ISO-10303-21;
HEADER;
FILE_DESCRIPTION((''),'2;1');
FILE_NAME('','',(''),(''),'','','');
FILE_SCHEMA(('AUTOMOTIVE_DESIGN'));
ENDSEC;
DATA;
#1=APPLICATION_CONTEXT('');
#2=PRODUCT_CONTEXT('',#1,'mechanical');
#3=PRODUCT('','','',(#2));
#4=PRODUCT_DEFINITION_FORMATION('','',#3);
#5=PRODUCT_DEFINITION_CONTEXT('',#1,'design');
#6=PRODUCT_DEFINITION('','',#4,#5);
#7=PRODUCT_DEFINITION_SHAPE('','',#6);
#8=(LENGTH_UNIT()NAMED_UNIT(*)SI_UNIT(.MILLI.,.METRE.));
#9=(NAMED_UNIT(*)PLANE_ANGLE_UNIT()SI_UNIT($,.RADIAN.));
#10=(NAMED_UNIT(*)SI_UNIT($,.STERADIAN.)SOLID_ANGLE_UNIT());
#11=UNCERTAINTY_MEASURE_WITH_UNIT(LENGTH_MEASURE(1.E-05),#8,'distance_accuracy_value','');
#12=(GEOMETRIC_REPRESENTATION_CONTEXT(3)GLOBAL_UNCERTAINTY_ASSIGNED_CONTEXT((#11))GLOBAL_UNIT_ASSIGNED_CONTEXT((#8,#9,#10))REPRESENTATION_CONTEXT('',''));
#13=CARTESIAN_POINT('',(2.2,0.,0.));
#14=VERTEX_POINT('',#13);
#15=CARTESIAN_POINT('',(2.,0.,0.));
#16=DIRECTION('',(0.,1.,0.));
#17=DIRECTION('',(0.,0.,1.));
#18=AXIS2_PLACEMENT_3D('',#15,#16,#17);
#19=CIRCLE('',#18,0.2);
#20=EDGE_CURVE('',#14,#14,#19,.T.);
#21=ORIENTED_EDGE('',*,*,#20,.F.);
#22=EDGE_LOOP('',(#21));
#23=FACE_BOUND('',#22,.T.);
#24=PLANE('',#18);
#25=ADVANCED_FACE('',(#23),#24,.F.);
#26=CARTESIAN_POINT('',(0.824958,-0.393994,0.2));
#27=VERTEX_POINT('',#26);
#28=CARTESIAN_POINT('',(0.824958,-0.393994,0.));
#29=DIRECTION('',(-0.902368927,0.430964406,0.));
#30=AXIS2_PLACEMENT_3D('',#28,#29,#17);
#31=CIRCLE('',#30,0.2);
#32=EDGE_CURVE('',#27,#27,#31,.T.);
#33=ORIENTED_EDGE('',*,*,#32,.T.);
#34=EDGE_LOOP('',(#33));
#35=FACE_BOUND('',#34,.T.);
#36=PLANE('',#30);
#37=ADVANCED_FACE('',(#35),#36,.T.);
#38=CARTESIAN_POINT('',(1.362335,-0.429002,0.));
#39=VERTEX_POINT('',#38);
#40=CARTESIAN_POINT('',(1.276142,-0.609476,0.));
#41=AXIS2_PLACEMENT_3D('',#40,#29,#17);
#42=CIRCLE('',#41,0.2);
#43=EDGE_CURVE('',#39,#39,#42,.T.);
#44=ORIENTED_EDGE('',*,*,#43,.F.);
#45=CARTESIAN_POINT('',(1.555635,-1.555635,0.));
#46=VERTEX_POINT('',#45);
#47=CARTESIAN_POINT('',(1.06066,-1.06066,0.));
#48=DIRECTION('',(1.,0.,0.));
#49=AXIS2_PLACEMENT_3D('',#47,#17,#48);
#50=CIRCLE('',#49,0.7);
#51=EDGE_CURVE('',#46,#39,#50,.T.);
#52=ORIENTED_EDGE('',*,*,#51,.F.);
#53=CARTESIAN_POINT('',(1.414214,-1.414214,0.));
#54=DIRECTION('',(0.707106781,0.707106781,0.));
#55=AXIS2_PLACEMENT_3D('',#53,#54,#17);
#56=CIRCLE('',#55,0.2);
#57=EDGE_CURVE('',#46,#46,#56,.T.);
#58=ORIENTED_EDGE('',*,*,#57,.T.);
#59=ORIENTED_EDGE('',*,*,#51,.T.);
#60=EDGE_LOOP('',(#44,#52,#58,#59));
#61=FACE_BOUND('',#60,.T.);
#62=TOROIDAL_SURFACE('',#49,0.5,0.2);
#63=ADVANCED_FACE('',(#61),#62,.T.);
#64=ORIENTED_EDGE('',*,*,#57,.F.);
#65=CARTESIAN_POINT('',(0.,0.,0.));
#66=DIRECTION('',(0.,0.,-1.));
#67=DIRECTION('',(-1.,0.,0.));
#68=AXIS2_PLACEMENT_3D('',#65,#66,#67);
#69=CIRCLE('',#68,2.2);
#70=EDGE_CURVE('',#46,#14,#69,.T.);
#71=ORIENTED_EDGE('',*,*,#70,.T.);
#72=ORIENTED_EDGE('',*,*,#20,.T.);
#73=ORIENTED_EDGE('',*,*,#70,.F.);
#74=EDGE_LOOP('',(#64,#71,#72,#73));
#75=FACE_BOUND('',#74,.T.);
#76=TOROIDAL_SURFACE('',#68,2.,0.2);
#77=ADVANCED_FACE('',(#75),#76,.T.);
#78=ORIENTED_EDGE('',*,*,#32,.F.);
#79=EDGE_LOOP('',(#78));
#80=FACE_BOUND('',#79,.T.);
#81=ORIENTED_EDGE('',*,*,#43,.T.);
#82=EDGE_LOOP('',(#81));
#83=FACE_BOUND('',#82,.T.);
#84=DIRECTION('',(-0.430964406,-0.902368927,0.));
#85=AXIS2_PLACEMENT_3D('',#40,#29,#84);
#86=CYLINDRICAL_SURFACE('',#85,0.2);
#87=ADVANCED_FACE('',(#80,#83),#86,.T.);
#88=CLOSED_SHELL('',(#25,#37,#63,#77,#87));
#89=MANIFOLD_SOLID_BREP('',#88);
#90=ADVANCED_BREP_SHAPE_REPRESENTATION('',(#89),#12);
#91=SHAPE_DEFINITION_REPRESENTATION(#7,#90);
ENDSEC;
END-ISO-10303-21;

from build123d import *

# Parameters (mm, degrees)
SKETCH2_R = 0.2


with BuildPart() as part:
    # Sweep1: sweep along a path in Sketch1
    with BuildLine(Plane.XY) as sweep1_path:
        Line((0.824957911, -0.393993505), (1.276142375, -0.609475708))
        ThreePointArc((1.276142375, -0.609475708), (1.553459452, -0.976109182), (1.414213562, -1.414213562))
        ThreePointArc((1.414213562, -1.414213562), (-1.847759065, 0.765366865), (2, 0))
    # Sketch2 → Sweep1 (sweep)
    with BuildSketch(Plane(origin=(0, 0, 0), x_dir=(1, 0, 0), z_dir=(0, 1, 0))):
        with Locations((2, 0)):
            Circle(SKETCH2_R)
    sweep(path=sweep1_path.line)


solid = part.part
